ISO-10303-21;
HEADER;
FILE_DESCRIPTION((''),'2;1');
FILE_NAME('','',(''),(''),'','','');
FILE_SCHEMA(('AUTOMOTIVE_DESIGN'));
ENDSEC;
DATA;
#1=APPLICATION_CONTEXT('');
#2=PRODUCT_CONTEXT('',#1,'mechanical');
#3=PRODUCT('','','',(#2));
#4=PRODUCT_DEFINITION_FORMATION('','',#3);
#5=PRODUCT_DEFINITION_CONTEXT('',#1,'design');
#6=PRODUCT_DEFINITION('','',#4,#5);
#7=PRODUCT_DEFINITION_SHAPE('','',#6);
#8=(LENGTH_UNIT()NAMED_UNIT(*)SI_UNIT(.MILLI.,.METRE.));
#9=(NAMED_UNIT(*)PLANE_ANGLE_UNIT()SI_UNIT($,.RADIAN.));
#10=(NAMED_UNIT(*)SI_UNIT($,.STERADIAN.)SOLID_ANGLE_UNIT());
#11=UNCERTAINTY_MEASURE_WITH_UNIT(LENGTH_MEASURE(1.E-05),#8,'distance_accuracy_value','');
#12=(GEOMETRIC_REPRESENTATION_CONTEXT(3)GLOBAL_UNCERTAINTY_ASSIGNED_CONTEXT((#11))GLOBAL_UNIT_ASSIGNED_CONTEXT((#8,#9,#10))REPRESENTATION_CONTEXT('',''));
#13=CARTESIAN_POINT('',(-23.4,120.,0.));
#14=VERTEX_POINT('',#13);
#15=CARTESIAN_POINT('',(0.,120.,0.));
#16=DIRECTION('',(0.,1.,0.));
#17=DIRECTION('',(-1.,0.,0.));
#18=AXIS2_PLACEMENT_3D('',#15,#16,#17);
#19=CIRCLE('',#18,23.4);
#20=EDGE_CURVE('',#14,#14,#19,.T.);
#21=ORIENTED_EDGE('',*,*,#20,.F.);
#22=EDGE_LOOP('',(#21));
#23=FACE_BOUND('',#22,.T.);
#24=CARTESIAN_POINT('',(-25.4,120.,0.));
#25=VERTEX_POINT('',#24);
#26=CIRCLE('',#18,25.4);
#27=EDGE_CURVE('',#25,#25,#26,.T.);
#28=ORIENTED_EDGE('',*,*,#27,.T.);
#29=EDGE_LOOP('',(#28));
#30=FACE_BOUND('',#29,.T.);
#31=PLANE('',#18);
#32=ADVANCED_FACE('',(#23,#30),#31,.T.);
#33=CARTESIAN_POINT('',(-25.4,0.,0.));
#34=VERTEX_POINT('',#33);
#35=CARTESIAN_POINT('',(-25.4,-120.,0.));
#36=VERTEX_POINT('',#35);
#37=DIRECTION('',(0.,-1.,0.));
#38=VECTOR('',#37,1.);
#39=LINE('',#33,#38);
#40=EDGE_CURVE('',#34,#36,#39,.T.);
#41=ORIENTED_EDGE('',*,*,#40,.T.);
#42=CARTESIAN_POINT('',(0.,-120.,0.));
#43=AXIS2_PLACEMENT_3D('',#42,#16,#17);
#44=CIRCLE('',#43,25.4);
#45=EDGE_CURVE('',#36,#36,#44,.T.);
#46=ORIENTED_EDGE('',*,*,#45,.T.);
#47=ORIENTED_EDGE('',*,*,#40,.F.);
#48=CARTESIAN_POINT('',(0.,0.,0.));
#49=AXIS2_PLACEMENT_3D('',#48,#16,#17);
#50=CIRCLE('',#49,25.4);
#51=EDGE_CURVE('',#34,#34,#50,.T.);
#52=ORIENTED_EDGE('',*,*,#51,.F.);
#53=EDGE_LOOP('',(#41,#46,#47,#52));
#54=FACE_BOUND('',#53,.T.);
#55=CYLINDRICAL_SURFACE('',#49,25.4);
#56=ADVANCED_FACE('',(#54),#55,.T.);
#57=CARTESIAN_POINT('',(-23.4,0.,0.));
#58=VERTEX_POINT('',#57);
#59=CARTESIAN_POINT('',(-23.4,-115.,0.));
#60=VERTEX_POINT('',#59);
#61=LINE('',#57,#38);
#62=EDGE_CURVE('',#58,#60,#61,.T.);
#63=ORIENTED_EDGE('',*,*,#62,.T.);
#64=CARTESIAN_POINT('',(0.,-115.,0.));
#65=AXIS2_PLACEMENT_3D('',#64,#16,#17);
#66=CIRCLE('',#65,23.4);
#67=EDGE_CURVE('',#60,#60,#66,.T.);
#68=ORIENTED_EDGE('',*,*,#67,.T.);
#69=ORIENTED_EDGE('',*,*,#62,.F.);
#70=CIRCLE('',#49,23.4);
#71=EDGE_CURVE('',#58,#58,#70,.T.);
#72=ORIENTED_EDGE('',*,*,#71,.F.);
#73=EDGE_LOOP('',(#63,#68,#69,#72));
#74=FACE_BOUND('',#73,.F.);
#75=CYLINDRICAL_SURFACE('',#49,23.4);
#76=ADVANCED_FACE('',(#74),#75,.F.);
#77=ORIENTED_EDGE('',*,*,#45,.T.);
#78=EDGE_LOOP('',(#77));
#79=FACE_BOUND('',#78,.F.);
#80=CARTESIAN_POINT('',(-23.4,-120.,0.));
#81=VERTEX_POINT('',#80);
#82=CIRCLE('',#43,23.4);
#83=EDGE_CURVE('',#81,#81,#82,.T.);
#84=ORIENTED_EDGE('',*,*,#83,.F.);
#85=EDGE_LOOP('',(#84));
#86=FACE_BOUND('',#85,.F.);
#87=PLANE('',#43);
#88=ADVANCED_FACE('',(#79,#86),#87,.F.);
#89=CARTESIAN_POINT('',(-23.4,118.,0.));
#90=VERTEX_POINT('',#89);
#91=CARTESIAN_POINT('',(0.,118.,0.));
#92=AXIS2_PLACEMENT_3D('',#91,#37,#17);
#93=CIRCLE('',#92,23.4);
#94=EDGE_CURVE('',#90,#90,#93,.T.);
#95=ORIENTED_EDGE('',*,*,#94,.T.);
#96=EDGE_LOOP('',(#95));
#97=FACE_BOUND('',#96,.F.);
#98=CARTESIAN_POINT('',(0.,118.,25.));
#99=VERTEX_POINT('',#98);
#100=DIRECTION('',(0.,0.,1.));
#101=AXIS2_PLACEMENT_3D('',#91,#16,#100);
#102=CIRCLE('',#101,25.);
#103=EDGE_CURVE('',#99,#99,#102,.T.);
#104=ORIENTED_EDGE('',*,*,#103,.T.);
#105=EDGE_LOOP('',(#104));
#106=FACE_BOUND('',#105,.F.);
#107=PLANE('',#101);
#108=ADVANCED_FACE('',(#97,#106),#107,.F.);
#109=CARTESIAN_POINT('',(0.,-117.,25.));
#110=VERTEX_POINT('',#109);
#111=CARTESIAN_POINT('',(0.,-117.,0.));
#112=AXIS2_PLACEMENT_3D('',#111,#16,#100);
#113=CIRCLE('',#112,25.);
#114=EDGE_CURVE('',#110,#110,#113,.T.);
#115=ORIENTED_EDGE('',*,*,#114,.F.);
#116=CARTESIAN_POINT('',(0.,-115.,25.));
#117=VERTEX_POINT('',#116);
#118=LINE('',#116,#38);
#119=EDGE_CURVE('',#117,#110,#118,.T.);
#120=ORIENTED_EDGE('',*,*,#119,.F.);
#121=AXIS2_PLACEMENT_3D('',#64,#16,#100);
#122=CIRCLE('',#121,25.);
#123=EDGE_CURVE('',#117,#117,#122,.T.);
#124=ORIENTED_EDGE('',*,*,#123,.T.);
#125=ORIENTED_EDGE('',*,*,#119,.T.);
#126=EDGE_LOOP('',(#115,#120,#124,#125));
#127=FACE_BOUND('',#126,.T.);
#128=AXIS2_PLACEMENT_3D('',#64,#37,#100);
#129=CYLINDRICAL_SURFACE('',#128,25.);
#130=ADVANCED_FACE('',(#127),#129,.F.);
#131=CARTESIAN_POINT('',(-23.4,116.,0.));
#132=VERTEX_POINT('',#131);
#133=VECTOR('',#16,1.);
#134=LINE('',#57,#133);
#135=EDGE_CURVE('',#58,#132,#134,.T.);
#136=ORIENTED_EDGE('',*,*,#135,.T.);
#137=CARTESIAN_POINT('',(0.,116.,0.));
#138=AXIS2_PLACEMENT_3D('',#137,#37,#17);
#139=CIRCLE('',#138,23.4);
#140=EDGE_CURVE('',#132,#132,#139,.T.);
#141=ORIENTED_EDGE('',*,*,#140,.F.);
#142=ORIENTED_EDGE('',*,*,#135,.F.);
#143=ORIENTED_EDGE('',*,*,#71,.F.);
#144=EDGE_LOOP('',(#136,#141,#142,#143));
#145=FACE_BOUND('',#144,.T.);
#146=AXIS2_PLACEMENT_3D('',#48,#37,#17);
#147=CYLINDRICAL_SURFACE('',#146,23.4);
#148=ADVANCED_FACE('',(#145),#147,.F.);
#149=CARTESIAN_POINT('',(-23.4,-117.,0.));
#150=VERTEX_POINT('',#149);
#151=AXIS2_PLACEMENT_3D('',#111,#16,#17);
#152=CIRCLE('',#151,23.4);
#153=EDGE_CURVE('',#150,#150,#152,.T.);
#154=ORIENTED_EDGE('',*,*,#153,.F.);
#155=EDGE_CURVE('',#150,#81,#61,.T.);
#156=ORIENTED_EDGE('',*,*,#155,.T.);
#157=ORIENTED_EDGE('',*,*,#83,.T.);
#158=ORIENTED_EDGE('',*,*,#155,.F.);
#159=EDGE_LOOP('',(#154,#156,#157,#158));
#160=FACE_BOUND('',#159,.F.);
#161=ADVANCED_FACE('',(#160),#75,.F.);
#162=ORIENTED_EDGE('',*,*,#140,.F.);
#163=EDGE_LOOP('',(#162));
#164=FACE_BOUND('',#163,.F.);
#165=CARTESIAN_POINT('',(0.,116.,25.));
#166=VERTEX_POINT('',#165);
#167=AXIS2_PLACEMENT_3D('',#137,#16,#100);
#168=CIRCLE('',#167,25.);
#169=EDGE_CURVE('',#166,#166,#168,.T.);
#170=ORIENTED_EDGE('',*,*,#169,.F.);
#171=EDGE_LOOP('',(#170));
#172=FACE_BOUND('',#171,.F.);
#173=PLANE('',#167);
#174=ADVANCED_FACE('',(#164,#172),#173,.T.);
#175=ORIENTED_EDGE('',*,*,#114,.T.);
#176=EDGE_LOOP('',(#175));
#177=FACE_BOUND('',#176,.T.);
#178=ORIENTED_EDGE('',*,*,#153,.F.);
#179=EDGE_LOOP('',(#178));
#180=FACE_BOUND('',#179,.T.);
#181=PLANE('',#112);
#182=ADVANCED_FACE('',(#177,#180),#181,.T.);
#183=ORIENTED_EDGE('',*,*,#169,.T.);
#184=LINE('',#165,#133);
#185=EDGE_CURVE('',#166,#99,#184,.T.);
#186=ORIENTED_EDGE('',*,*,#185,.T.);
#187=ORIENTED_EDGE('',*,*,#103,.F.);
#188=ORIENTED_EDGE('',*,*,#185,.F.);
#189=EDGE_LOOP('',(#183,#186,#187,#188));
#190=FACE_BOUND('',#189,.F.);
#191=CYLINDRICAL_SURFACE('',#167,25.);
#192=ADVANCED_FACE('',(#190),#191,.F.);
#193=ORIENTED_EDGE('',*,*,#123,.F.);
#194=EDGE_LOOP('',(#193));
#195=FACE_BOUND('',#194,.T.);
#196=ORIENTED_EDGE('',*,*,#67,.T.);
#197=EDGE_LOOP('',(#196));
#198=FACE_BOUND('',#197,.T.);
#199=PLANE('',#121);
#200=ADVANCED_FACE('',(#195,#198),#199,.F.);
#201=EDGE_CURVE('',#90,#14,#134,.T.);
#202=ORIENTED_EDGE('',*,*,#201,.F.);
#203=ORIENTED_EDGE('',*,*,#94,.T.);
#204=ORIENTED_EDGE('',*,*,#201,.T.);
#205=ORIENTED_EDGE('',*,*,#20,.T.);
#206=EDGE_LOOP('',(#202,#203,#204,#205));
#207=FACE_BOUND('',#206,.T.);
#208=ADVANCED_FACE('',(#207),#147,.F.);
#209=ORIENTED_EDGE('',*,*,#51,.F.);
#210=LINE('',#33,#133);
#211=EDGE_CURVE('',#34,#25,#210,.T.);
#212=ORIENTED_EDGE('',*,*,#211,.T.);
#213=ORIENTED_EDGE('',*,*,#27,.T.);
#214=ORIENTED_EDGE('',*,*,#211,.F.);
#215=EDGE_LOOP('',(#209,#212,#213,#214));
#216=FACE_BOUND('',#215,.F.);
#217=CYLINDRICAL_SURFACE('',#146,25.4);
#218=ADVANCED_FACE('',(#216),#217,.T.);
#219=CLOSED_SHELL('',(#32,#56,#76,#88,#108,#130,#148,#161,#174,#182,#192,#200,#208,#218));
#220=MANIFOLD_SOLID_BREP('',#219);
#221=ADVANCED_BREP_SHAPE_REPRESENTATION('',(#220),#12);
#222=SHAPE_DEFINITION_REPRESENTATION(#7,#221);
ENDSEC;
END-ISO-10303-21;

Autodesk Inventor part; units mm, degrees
ref_plane "YZ Plane" through (0, 0, 0) normal (1, 0, 0) x (0, 1, 0)
ref_plane "XZ Plane" through (0, 0, 0) normal (0, 1, 0) x (-1, 0, 0)
ref_plane "XY Plane" through (0, 0, 0) normal (0, 0, 1) x (1, 0, 0)
sketch "Sketch1" plane through (0, 0, 0) normal (0, 1, 0) x (-1, 0, 0)
  circle A0 centre (0, 0) radius 25.4
  circle A1 centre (0, 0) radius 23.4
  dimension "d0" = 50.8
  dimension "d1" = 46.8
extrude "Extrusion1" add sketch "Sketch1" along normal mid plane 240
sketch "Sketch2" plane through (0, 0, 0) normal (1, 0, 0) x (0, 1, 0)
  line L0 (120, 23.4) -> (-120, 23.4) projected
  line L1 (118, 23.4) -> (116, 23.4)
  line L2 (116, 23.4) -> (116, 25)
  line L3 (116, 25) -> (118, 25)
  line L4 (118, 25) -> (118, 23.4)
  line L5 (-117, 23.4) -> (-115, 23.4)
  line L6 (-115, 23.4) -> (-115, 25)
  line L7 (-115, 25) -> (-117, 25)
  line L8 (-117, 25) -> (-117, 23.4)
  line L9 (-120, 25.4) -> (-120, -25.4) projected
  line L10 (120, -25.4) -> (120, 25.4) projected
  line L11 (-168, 0) -> (168, 0) projected
  point P0 (0, 0)
  dimension "d4" = 3
  dimension "d5" = 2
  dimension "d6" = 1.6
  dimension "d7" = 2
  dimension "d8" = 2
  dimension "d9" = 1.6
revolve "Revolution1" cut sketch "Sketch2" angle 360 about axis through (0, -10, 0) along (0, 1, 0) contours L0 L2 L3 L4 | L0 L8 L7 L6
properties part number "casing" material "Iron, Cast"
